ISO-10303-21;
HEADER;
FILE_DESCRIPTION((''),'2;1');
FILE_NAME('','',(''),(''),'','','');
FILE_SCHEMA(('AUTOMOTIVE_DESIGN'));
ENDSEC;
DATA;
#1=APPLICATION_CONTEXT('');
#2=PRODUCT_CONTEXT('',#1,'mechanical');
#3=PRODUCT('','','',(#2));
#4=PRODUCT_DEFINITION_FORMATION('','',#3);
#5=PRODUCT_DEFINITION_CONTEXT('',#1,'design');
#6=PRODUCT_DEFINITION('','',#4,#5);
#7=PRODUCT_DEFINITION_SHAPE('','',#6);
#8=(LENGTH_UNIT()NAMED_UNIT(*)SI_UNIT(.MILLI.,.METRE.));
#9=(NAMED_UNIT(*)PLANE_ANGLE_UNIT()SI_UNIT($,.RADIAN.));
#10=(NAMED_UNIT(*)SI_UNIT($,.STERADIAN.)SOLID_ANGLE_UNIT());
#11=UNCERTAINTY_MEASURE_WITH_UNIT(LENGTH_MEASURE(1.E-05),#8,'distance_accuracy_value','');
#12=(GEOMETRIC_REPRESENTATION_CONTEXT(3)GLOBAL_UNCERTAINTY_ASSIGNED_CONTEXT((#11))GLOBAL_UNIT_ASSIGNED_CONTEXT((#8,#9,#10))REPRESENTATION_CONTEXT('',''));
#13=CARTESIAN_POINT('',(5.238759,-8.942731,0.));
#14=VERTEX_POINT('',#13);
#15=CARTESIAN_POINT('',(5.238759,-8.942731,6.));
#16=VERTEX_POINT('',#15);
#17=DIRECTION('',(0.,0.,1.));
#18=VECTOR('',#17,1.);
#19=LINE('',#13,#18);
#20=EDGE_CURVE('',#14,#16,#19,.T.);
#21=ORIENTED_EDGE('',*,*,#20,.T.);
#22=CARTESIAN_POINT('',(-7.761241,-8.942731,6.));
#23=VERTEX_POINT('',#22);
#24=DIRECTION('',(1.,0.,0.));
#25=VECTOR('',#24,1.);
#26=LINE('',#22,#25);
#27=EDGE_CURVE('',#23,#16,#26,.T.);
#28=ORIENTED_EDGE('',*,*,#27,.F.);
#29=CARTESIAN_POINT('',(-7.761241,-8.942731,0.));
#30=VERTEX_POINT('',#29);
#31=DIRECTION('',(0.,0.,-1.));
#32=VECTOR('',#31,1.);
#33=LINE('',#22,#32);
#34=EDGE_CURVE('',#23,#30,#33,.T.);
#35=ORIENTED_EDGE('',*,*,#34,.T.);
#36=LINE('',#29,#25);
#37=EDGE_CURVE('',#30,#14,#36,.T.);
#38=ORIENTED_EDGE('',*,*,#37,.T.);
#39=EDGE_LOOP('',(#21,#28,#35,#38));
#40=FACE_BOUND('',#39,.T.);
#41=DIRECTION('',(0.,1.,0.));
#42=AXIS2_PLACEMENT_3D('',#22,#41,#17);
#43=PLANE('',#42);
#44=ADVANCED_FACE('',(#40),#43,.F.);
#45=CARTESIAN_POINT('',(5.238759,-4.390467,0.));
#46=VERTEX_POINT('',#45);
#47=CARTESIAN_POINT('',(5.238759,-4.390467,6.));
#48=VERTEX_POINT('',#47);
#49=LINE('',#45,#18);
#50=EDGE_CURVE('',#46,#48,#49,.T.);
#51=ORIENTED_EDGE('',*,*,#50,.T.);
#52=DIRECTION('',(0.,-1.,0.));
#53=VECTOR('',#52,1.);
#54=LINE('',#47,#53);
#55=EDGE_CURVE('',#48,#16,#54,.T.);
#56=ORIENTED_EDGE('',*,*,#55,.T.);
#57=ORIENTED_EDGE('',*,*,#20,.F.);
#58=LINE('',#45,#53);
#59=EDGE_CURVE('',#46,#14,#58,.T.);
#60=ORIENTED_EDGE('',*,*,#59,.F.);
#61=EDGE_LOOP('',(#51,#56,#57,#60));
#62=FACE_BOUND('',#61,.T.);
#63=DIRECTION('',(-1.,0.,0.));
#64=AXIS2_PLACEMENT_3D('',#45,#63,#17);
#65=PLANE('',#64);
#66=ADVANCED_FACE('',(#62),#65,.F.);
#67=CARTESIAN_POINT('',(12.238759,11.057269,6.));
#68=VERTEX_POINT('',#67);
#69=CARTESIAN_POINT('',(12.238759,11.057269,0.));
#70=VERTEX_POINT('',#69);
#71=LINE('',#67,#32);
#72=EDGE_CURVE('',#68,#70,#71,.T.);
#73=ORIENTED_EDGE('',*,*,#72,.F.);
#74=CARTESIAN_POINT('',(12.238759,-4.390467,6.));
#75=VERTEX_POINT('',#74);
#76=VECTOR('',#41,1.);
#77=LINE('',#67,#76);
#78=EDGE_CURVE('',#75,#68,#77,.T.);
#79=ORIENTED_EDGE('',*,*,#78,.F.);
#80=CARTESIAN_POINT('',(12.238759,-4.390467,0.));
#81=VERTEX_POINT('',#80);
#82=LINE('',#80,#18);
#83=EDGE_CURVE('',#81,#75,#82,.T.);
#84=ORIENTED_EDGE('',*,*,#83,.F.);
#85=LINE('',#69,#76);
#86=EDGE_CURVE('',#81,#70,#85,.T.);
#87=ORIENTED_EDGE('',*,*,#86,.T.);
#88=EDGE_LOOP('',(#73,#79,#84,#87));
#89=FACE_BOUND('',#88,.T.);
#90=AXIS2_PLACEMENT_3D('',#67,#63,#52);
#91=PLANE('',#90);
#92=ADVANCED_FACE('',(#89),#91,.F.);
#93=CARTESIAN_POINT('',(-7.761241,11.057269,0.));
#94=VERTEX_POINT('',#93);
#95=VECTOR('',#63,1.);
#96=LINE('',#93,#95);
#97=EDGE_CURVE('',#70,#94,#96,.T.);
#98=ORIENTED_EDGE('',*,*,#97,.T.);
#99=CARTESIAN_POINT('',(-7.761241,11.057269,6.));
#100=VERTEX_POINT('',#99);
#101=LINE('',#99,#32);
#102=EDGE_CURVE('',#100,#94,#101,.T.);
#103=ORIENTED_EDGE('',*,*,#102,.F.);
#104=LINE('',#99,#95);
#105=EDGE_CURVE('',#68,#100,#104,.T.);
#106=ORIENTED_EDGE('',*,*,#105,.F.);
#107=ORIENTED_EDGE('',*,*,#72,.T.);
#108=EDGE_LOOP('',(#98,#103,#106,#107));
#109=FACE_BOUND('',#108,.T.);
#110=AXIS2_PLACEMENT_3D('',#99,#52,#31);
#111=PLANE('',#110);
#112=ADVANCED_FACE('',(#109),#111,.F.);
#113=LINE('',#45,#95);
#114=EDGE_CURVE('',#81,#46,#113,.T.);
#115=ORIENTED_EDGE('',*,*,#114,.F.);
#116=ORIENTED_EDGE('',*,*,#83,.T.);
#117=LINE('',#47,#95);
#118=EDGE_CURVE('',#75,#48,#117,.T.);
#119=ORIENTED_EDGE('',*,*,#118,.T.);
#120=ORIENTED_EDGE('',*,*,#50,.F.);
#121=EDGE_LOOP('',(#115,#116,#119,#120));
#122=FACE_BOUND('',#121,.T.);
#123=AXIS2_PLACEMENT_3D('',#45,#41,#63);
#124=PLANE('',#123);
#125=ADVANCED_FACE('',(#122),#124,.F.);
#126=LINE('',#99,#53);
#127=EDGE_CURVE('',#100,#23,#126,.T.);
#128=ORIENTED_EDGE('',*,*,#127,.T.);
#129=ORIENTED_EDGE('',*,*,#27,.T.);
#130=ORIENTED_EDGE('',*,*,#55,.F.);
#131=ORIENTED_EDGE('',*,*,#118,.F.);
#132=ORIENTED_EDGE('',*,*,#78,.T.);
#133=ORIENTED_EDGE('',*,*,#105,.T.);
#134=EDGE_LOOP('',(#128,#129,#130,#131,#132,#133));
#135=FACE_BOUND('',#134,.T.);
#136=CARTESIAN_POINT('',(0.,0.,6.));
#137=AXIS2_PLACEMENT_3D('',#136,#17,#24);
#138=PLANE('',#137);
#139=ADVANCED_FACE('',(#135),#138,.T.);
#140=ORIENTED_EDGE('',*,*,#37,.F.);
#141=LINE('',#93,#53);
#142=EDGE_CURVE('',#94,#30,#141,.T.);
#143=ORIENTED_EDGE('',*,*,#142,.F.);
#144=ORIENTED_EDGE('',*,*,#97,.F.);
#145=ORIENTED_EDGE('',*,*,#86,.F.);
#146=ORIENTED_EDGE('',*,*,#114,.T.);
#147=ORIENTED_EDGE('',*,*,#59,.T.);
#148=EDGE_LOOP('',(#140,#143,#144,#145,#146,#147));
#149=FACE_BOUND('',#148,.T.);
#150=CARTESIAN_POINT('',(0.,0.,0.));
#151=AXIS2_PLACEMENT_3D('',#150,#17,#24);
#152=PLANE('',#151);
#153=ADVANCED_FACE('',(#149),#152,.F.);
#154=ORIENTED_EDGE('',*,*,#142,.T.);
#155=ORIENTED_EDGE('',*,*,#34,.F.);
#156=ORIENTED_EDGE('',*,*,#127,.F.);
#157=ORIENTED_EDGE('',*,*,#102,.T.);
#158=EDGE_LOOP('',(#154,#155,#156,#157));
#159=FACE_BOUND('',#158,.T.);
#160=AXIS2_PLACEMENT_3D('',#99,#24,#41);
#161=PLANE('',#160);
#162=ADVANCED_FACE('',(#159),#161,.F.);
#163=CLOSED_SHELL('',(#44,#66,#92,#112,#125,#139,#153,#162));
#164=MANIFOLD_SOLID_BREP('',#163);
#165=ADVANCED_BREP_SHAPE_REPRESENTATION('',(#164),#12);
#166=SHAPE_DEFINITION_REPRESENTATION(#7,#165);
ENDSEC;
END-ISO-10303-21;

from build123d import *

# Parameters (mm, degrees)
SKETCH_1_W          = 20
SKETCH_1_H          = 20
EXTRUDE_1_DEPTH     = 6
SKETCH_2_W          = 7
SKETCH_2_H          = 4.552264216
CUT_EXTRUDE_1_DEPTH = 18.551364712


with BuildPart() as part:
    # 草圖1 → 填料-伸長1 (new body)
    with BuildSketch(Plane.XY):
        with Locations((2.238758582, 1.057268722)):
            Rectangle(SKETCH_1_W, SKETCH_1_H)
    extrude(amount=EXTRUDE_1_DEPTH)

    # 草圖2 → 除料-伸長1 (cut, through all)
    with BuildSketch(Plane.XY.offset(6)):
        with Locations((8.738758582, -6.66659917)):
            Rectangle(SKETCH_2_W, SKETCH_2_H)
    extrude(amount=-CUT_EXTRUDE_1_DEPTH, mode=Mode.SUBTRACT)


solid = part.part
